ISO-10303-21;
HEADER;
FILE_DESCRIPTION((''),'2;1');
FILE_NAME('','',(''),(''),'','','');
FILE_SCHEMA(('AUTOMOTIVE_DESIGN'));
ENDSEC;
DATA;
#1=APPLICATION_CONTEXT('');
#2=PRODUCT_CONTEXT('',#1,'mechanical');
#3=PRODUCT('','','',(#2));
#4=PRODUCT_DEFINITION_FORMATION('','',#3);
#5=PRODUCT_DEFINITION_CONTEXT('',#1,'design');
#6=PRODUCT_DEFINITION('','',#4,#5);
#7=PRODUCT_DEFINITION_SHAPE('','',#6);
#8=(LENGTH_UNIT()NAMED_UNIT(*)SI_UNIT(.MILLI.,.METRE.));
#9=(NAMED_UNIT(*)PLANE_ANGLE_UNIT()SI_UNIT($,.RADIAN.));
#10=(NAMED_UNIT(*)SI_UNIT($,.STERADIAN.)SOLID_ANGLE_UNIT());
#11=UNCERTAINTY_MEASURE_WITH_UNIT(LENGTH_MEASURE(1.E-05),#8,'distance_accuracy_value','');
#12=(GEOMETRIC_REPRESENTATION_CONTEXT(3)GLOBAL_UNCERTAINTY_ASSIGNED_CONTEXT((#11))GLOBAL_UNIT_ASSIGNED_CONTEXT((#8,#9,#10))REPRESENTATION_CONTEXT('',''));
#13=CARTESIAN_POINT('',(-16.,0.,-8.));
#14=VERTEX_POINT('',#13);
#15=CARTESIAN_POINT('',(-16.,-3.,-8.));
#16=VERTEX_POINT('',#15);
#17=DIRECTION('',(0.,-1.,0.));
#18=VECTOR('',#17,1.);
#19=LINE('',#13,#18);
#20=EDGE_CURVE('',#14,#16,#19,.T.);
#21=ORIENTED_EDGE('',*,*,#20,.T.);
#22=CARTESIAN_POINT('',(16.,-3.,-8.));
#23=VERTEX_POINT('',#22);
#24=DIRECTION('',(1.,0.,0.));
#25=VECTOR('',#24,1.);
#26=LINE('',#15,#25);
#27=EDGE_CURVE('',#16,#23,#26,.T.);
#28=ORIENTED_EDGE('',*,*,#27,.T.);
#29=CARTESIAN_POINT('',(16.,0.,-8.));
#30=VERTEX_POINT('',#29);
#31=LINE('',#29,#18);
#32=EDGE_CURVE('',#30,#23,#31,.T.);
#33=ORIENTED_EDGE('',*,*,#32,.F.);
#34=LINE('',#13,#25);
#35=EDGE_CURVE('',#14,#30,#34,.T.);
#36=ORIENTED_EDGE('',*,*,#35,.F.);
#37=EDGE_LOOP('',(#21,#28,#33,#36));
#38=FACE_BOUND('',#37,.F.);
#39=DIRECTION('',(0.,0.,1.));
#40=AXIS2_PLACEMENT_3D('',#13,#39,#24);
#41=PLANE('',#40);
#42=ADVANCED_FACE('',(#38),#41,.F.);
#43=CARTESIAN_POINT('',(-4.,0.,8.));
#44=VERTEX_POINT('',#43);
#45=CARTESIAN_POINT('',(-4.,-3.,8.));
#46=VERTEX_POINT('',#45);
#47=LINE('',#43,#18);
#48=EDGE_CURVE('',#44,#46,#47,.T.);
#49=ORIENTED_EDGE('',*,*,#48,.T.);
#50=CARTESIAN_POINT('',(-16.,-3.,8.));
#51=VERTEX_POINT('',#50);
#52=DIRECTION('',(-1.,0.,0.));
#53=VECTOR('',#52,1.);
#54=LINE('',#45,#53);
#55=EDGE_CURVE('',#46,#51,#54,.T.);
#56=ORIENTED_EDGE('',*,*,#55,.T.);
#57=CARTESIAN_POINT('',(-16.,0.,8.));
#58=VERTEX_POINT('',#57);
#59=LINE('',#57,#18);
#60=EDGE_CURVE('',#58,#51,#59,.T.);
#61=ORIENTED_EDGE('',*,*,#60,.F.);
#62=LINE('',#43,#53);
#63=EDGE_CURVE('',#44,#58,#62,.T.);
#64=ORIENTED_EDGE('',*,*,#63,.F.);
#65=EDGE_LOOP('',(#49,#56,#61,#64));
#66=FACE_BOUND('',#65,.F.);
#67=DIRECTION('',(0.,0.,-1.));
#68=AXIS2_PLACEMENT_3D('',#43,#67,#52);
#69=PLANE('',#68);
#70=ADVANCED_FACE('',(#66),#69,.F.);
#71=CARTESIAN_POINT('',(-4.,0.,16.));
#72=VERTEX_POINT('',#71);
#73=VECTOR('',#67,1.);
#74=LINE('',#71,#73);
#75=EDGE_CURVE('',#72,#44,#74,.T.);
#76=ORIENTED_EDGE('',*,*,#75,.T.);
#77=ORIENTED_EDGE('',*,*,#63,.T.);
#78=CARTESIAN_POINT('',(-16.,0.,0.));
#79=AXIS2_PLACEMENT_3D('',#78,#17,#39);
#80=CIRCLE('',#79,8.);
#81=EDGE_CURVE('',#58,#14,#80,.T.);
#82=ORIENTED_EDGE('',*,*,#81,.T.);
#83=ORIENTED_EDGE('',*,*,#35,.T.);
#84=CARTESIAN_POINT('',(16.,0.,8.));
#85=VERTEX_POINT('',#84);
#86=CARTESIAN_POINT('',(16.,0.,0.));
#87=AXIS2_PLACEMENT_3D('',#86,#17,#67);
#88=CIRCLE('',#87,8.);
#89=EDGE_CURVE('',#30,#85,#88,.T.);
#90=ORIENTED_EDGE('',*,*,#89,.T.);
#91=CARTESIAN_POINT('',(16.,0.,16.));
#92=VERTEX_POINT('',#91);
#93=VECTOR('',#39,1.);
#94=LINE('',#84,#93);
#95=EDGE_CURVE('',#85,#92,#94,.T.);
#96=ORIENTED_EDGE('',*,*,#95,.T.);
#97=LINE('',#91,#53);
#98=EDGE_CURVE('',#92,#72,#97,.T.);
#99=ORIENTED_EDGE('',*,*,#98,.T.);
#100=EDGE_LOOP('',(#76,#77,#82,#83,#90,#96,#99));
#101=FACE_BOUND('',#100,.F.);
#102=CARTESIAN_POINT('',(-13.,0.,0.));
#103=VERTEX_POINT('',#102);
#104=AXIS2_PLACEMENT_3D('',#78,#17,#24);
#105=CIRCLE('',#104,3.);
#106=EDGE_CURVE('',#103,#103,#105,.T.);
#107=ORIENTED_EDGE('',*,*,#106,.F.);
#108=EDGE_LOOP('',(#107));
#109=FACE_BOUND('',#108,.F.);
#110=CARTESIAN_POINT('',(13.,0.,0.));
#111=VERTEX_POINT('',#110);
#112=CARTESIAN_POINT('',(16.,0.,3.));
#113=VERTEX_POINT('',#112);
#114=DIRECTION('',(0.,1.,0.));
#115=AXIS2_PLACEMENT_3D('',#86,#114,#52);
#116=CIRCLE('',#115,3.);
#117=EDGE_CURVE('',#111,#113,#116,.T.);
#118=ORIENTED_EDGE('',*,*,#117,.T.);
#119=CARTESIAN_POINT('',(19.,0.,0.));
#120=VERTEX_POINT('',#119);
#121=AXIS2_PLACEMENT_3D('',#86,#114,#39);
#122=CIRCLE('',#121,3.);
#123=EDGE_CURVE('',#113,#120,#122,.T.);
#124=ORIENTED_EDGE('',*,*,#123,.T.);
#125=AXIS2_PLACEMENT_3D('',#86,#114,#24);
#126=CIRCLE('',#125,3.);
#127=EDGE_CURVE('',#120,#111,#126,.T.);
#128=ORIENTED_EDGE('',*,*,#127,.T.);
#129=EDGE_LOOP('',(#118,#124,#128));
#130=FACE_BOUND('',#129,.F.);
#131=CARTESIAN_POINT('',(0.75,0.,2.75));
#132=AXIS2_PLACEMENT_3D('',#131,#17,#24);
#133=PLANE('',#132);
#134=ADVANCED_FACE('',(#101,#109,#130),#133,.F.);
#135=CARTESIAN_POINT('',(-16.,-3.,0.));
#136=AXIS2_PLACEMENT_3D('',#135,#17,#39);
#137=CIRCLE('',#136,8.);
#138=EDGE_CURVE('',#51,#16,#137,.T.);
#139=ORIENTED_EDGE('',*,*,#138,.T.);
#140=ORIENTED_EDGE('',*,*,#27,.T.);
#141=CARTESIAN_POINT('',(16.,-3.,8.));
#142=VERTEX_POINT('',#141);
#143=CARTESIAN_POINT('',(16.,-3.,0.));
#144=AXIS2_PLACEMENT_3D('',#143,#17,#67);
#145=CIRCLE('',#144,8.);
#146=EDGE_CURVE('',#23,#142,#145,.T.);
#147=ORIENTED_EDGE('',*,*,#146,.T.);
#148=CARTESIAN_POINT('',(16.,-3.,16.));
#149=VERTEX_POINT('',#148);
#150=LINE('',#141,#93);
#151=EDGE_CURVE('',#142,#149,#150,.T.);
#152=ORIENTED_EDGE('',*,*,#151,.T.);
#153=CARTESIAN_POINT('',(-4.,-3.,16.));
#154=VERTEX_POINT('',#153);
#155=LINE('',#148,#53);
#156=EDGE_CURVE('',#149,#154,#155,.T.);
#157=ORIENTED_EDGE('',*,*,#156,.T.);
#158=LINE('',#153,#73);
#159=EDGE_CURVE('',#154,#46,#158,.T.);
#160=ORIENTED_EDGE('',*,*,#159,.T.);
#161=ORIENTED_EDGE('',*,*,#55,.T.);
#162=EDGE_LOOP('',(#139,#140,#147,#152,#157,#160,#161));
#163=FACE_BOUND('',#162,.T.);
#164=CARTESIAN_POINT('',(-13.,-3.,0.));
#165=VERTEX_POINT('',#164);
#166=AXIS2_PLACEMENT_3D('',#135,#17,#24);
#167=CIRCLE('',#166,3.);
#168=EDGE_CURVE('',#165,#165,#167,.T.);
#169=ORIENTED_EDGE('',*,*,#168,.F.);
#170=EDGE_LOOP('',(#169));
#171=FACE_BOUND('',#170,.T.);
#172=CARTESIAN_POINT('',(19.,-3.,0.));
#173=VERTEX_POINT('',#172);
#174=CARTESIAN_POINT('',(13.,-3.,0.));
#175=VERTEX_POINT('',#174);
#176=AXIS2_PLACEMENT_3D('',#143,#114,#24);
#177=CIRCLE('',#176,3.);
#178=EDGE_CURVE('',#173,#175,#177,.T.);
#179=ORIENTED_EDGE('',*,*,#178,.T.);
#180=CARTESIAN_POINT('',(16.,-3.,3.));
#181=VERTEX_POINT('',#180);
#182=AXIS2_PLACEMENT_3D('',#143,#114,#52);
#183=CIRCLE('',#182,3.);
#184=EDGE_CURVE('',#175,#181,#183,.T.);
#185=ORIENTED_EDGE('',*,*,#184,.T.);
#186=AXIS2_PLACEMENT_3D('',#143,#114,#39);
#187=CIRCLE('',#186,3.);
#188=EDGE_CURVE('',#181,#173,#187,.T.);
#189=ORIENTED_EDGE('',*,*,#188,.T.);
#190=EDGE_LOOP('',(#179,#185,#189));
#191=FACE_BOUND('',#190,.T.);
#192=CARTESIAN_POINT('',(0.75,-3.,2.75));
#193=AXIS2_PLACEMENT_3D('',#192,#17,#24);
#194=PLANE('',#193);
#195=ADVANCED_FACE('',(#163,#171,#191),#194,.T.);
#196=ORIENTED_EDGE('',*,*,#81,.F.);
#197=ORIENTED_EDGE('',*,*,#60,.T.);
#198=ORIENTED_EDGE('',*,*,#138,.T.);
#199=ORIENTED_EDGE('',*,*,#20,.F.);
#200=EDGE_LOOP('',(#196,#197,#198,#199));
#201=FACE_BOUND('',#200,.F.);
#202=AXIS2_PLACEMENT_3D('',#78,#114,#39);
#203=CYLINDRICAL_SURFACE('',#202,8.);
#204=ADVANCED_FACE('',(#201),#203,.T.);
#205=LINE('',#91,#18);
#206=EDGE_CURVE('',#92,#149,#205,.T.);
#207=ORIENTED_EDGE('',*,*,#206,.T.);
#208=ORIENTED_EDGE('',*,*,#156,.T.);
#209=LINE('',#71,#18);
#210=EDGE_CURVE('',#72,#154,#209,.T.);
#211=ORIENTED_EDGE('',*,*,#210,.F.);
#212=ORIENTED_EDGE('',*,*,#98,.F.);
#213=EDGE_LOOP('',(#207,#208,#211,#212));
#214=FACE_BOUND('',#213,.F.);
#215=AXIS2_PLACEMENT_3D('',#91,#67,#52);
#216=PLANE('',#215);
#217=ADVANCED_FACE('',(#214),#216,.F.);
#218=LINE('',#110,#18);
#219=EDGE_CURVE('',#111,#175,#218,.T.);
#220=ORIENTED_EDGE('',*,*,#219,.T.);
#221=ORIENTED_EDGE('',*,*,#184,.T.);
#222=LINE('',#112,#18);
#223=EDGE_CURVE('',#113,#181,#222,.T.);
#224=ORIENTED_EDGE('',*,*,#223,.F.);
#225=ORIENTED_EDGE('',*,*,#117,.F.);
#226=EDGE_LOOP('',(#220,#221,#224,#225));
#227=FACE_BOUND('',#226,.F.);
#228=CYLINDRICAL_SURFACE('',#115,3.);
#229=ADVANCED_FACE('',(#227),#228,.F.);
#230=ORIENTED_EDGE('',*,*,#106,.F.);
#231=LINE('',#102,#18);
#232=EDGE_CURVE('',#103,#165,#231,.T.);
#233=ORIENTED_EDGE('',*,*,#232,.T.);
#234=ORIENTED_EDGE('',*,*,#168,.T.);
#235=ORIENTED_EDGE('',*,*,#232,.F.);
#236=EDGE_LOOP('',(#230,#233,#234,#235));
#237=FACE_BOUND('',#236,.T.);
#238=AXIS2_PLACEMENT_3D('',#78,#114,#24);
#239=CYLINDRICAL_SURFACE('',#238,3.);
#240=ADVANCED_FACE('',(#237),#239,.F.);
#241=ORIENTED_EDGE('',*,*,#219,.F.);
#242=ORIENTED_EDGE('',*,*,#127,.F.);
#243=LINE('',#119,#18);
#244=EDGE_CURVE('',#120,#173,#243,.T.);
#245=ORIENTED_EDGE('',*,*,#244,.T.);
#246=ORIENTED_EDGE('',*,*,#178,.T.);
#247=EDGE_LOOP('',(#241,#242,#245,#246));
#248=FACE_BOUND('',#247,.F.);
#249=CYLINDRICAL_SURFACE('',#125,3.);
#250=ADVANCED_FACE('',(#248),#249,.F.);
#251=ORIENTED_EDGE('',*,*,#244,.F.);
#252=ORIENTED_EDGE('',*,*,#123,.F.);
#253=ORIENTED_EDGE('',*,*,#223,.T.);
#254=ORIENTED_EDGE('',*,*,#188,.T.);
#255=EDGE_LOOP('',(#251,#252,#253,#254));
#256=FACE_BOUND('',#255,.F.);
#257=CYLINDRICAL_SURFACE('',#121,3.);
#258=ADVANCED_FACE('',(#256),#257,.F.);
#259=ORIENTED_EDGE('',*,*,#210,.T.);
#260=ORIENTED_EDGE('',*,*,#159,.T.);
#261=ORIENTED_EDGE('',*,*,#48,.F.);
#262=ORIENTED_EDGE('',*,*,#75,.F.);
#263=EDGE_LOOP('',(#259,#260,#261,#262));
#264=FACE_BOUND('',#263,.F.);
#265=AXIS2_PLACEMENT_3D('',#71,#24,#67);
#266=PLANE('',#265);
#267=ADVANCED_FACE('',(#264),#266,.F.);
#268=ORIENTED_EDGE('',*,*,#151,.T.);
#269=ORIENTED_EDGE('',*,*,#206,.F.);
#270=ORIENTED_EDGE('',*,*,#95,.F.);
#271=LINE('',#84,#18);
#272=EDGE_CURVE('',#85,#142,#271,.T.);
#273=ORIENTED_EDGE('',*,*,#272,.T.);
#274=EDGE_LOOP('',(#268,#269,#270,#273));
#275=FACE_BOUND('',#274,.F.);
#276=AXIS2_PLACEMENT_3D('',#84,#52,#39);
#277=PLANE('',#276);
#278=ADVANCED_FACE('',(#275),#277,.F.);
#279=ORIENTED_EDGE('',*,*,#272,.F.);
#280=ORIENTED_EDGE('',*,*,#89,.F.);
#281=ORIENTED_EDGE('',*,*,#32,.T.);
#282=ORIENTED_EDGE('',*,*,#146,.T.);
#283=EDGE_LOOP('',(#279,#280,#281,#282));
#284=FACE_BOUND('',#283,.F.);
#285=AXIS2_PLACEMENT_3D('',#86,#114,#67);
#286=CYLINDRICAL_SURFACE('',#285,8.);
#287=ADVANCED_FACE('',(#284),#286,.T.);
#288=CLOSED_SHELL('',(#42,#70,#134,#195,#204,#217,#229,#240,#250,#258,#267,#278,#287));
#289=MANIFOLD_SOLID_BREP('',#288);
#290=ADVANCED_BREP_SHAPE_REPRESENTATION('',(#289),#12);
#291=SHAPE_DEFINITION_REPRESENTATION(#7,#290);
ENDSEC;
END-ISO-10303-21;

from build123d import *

# Parameters (mm, degrees)
F0_R     = 3
F1_DEPTH = 3


with BuildPart() as f1:
    # F0 (on Front) → F1 (new body)
    with BuildSketch(Plane.XZ):
        with BuildLine():
            ThreePointArc((16, -8), (24, 0), (16, 8))
            Line((16, 8), (16, 16))
            Line((16, 16), (-4, 16))
            Line((-4, 16), (-4, 8))
            Line((-4, 8), (-16, 8))
            ThreePointArc((-16, 8), (-24, 0), (-16, -8))
            Line((-16, -8), (16, -8))
        make_face()
        with Locations((-16, 0)):
            Circle(F0_R, mode=Mode.SUBTRACT)
        with BuildLine():
            ThreePointArc((19, 0), (16, -3), (13, 0))
            ThreePointArc((13, 0), (13.8786796564, 2.1213203436), (16, 3))
            ThreePointArc((16, 3), (18.1213203436, 2.1213203436), (19, 0))
        make_face(mode=Mode.SUBTRACT)
    extrude(amount=F1_DEPTH)


solid = f1.part
